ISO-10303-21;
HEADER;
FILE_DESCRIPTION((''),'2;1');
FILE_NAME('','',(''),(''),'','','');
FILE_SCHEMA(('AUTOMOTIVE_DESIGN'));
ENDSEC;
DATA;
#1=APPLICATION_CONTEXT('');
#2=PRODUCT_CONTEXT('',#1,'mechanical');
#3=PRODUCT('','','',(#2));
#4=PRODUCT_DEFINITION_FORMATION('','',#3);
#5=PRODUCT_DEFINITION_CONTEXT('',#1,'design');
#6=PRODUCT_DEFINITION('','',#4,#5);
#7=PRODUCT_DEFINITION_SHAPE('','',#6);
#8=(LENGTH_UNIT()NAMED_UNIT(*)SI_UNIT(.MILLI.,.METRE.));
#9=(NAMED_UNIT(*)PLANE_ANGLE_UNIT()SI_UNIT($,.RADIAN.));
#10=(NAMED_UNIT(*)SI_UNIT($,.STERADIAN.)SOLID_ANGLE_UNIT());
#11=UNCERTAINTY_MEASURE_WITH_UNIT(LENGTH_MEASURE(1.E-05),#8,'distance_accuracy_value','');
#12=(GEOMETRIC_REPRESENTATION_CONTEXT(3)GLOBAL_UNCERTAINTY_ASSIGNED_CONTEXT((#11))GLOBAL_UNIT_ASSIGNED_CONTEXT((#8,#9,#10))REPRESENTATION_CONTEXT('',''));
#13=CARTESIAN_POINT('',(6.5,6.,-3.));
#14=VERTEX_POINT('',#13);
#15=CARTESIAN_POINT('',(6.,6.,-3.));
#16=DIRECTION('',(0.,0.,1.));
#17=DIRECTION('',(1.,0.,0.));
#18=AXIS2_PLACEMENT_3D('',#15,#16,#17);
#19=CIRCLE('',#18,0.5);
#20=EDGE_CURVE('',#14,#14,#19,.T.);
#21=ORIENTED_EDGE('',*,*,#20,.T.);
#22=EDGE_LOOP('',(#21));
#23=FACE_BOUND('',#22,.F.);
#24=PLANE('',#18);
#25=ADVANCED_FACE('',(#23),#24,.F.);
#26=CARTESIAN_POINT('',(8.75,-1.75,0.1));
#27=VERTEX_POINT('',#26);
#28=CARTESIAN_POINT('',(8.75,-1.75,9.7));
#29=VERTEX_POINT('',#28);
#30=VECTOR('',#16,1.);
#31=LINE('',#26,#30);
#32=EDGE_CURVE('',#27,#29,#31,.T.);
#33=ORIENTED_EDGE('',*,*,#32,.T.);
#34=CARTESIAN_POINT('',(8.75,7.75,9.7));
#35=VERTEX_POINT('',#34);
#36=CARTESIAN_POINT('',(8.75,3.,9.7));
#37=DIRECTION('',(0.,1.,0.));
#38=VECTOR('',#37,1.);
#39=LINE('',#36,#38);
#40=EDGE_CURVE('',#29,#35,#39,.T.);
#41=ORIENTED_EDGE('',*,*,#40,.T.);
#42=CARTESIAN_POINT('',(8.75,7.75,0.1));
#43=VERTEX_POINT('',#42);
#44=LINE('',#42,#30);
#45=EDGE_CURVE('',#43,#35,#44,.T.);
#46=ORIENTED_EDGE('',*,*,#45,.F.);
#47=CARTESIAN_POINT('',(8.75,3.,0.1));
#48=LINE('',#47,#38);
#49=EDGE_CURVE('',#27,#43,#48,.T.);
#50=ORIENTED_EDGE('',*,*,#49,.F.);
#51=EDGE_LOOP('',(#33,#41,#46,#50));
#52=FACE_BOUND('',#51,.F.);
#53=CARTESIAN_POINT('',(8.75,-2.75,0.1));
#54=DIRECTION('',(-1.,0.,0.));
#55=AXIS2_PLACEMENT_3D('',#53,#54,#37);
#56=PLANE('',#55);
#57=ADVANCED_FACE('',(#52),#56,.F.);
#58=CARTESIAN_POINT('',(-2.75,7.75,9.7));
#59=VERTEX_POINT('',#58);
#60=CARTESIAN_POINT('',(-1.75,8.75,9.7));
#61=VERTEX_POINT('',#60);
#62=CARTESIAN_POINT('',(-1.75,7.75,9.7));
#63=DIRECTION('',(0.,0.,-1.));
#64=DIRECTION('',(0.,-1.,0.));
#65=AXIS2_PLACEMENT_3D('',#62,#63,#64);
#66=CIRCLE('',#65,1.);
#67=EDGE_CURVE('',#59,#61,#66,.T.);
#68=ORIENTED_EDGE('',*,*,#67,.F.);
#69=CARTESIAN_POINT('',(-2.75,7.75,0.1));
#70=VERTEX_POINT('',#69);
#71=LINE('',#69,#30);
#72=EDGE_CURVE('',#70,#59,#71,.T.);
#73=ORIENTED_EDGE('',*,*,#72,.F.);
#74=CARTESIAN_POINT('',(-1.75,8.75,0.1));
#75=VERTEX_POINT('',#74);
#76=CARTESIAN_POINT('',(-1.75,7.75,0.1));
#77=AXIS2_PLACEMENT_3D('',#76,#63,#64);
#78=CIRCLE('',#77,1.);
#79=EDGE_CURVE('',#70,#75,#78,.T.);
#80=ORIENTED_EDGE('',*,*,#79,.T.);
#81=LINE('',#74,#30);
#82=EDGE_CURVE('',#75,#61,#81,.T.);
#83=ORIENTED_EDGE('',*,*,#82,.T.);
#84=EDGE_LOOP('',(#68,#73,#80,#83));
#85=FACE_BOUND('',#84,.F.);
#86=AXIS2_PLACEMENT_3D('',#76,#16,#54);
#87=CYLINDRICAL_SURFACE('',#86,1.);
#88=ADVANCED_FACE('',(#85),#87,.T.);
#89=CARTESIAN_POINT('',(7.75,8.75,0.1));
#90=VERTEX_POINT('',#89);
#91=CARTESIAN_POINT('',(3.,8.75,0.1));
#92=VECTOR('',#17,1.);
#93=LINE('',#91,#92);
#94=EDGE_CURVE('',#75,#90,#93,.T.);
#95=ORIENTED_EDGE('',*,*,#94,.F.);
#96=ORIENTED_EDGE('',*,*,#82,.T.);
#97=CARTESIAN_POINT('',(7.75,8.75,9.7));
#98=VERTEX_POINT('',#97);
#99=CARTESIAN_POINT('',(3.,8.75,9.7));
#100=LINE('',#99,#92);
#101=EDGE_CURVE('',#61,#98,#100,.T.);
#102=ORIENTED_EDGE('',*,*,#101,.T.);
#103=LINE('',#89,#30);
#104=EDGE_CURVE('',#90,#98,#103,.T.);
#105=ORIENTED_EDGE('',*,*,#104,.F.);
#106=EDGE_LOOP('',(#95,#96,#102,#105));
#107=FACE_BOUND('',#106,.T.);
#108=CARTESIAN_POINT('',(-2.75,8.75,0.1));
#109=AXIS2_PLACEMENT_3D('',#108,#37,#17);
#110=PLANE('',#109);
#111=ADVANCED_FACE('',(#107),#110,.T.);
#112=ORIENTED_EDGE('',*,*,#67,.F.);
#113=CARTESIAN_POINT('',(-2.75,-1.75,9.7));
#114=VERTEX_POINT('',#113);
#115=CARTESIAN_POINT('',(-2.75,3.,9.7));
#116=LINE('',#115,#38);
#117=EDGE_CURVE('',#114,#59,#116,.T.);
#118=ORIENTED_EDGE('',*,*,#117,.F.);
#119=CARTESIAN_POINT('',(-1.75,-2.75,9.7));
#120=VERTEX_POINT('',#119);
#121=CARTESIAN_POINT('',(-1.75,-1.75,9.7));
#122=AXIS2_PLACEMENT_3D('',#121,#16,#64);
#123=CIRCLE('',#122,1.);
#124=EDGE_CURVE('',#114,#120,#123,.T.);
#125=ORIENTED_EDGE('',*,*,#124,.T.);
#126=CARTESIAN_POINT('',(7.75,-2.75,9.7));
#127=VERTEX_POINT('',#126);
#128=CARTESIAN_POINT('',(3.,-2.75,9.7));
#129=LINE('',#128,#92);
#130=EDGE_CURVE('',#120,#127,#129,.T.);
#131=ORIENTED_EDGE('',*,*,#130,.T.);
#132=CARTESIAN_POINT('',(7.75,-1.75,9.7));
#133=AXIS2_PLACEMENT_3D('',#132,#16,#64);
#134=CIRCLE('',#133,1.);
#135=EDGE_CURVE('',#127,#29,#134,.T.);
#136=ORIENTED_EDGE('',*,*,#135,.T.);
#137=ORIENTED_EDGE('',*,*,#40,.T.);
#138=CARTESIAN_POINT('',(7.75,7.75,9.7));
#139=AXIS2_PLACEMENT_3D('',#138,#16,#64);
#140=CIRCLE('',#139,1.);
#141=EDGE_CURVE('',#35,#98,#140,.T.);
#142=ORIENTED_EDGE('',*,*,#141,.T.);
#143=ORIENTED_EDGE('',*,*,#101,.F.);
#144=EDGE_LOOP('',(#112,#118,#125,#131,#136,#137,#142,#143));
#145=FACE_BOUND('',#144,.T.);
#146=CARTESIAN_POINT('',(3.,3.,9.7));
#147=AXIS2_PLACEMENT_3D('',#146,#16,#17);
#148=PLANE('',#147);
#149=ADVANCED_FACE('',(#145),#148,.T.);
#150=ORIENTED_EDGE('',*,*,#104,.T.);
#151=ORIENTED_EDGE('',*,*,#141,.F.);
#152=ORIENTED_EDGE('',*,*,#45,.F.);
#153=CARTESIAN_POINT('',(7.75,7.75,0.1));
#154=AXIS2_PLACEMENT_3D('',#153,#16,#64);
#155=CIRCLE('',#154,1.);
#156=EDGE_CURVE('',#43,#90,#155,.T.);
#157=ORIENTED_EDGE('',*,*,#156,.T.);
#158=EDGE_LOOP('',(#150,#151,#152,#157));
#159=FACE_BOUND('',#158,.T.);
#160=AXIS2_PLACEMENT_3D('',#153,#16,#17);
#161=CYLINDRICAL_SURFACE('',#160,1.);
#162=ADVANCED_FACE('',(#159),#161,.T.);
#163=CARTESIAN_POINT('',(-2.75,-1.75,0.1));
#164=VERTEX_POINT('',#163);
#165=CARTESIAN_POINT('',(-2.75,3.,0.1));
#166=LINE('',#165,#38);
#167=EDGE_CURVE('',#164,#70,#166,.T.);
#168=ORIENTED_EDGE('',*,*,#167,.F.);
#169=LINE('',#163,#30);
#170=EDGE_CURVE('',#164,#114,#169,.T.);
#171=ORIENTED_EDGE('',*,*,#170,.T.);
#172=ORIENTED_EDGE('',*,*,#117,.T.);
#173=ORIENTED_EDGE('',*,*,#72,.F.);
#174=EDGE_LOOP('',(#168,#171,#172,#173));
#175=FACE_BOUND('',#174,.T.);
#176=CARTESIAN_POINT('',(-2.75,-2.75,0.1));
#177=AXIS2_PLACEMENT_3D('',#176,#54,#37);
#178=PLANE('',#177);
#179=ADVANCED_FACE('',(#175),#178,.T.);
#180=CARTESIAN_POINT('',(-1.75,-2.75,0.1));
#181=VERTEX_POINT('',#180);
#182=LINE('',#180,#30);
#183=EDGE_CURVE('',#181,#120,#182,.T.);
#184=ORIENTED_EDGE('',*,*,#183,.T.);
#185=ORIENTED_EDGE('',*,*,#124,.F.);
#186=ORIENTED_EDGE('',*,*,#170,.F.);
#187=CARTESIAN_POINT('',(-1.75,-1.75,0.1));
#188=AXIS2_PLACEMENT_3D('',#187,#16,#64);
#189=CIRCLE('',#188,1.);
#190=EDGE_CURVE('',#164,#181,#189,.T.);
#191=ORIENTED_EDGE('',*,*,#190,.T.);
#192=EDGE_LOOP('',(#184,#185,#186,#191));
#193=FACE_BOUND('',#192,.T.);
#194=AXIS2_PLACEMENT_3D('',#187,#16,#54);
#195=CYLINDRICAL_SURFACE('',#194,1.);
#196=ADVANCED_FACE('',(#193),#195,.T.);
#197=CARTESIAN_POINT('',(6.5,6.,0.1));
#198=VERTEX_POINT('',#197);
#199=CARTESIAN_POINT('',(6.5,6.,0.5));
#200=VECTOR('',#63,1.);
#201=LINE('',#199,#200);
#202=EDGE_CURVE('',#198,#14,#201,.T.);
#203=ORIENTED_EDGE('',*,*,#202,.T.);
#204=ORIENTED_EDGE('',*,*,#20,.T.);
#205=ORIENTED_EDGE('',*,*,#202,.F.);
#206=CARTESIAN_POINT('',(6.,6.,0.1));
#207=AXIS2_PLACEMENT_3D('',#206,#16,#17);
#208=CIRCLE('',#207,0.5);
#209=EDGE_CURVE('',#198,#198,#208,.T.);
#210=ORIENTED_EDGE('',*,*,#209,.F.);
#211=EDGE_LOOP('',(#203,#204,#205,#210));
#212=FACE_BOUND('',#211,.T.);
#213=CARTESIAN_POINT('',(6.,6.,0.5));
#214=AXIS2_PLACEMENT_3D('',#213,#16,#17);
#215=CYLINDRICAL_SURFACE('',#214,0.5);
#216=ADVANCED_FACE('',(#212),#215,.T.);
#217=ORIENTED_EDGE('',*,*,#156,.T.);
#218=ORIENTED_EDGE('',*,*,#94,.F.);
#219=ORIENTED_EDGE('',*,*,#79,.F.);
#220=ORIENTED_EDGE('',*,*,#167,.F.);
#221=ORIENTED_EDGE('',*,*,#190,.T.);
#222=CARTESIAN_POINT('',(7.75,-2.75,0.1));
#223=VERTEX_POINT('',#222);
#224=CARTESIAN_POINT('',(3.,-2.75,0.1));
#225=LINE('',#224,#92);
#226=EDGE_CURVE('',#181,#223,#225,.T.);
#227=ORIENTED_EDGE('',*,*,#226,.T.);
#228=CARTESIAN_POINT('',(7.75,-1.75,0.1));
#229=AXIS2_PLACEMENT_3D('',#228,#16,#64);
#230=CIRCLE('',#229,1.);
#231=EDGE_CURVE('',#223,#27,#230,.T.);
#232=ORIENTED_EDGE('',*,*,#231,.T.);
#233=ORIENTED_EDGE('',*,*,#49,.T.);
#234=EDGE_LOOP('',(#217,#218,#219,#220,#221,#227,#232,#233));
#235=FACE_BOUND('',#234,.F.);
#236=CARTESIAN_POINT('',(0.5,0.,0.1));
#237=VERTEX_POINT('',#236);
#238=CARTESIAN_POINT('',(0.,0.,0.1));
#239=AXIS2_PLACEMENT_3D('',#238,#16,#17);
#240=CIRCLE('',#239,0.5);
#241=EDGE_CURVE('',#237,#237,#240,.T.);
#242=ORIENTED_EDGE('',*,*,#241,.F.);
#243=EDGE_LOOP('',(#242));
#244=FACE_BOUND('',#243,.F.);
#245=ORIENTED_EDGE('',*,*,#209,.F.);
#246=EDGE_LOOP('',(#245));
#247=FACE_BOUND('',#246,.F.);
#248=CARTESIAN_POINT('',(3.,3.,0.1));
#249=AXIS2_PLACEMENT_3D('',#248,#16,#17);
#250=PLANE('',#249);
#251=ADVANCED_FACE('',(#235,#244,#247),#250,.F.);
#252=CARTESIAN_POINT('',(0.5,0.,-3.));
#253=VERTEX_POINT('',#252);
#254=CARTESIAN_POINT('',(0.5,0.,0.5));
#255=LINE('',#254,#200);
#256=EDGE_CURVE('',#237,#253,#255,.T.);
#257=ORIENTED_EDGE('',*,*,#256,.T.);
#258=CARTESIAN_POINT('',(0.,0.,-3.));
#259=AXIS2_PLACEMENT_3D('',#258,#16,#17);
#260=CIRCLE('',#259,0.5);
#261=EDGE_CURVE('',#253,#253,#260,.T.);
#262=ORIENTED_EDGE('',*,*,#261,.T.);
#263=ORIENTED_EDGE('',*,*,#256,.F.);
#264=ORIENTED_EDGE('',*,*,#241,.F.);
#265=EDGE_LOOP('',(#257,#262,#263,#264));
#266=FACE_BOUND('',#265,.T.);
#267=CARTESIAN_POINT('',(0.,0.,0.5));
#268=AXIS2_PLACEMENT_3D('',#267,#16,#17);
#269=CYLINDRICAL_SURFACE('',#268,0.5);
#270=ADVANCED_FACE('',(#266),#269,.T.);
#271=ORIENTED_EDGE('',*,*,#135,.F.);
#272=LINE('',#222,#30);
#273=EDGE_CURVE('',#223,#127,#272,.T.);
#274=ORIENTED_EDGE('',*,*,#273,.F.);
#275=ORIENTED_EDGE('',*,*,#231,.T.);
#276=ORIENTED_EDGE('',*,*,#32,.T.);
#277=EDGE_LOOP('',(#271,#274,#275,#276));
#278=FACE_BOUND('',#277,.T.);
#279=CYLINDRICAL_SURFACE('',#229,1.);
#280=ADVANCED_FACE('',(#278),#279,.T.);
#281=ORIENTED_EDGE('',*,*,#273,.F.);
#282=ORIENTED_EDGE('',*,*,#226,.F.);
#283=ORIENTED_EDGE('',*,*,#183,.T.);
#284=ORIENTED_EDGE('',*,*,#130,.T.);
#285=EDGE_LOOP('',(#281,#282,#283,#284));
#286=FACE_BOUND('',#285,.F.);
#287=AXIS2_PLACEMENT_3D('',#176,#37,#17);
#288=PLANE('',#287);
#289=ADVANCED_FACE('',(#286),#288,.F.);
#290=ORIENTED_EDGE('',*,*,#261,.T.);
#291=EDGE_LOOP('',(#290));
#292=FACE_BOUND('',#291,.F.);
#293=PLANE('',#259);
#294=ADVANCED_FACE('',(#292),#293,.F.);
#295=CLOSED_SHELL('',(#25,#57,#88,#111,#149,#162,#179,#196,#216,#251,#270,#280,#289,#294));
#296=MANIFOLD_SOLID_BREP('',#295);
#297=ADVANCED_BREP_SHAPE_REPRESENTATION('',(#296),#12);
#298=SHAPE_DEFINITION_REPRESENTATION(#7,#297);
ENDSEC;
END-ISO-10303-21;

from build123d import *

# Parameters (mm, degrees)
SKETCH001_R  = 0.5
PAD001_DEPTH = 3.5
SKETCH_W     = 11.5
SKETCH_H     = 11.5
PAD_DEPTH    = 9.6
FILLET_R     = 1


with BuildPart() as pad001:
    # Sketch001 → Pad001 (new body)
    with BuildSketch(Plane.XY.offset(0.5)):
        Circle(SKETCH001_R)
        with Locations((6, 6)):
            Circle(SKETCH001_R)
    extrude(amount=-PAD001_DEPTH)


with BuildPart() as fillet_mp_cp:
    # Sketch → Pad (new body)
    with BuildSketch(Plane.XY.offset(0.1)):
        with Locations((3, 3)):
            Rectangle(SKETCH_W, SKETCH_H)
    extrude(amount=PAD_DEPTH)

    # Fillet
    fillet_edges = [fillet_mp_cp.edges().sort_by_distance(p)[0] for p in [
        (8.75, -2.75, 4.9),
        (8.75, 8.75, 4.9),
        (-2.75, -2.75, 4.9),
        (-2.75, 8.75, 4.9),
    ]]
    fillet(fillet_edges, radius=FILLET_R)

    # Fillet_mp_cp: union Pad001
    add(pad001.part)


solid = fillet_mp_cp.part
